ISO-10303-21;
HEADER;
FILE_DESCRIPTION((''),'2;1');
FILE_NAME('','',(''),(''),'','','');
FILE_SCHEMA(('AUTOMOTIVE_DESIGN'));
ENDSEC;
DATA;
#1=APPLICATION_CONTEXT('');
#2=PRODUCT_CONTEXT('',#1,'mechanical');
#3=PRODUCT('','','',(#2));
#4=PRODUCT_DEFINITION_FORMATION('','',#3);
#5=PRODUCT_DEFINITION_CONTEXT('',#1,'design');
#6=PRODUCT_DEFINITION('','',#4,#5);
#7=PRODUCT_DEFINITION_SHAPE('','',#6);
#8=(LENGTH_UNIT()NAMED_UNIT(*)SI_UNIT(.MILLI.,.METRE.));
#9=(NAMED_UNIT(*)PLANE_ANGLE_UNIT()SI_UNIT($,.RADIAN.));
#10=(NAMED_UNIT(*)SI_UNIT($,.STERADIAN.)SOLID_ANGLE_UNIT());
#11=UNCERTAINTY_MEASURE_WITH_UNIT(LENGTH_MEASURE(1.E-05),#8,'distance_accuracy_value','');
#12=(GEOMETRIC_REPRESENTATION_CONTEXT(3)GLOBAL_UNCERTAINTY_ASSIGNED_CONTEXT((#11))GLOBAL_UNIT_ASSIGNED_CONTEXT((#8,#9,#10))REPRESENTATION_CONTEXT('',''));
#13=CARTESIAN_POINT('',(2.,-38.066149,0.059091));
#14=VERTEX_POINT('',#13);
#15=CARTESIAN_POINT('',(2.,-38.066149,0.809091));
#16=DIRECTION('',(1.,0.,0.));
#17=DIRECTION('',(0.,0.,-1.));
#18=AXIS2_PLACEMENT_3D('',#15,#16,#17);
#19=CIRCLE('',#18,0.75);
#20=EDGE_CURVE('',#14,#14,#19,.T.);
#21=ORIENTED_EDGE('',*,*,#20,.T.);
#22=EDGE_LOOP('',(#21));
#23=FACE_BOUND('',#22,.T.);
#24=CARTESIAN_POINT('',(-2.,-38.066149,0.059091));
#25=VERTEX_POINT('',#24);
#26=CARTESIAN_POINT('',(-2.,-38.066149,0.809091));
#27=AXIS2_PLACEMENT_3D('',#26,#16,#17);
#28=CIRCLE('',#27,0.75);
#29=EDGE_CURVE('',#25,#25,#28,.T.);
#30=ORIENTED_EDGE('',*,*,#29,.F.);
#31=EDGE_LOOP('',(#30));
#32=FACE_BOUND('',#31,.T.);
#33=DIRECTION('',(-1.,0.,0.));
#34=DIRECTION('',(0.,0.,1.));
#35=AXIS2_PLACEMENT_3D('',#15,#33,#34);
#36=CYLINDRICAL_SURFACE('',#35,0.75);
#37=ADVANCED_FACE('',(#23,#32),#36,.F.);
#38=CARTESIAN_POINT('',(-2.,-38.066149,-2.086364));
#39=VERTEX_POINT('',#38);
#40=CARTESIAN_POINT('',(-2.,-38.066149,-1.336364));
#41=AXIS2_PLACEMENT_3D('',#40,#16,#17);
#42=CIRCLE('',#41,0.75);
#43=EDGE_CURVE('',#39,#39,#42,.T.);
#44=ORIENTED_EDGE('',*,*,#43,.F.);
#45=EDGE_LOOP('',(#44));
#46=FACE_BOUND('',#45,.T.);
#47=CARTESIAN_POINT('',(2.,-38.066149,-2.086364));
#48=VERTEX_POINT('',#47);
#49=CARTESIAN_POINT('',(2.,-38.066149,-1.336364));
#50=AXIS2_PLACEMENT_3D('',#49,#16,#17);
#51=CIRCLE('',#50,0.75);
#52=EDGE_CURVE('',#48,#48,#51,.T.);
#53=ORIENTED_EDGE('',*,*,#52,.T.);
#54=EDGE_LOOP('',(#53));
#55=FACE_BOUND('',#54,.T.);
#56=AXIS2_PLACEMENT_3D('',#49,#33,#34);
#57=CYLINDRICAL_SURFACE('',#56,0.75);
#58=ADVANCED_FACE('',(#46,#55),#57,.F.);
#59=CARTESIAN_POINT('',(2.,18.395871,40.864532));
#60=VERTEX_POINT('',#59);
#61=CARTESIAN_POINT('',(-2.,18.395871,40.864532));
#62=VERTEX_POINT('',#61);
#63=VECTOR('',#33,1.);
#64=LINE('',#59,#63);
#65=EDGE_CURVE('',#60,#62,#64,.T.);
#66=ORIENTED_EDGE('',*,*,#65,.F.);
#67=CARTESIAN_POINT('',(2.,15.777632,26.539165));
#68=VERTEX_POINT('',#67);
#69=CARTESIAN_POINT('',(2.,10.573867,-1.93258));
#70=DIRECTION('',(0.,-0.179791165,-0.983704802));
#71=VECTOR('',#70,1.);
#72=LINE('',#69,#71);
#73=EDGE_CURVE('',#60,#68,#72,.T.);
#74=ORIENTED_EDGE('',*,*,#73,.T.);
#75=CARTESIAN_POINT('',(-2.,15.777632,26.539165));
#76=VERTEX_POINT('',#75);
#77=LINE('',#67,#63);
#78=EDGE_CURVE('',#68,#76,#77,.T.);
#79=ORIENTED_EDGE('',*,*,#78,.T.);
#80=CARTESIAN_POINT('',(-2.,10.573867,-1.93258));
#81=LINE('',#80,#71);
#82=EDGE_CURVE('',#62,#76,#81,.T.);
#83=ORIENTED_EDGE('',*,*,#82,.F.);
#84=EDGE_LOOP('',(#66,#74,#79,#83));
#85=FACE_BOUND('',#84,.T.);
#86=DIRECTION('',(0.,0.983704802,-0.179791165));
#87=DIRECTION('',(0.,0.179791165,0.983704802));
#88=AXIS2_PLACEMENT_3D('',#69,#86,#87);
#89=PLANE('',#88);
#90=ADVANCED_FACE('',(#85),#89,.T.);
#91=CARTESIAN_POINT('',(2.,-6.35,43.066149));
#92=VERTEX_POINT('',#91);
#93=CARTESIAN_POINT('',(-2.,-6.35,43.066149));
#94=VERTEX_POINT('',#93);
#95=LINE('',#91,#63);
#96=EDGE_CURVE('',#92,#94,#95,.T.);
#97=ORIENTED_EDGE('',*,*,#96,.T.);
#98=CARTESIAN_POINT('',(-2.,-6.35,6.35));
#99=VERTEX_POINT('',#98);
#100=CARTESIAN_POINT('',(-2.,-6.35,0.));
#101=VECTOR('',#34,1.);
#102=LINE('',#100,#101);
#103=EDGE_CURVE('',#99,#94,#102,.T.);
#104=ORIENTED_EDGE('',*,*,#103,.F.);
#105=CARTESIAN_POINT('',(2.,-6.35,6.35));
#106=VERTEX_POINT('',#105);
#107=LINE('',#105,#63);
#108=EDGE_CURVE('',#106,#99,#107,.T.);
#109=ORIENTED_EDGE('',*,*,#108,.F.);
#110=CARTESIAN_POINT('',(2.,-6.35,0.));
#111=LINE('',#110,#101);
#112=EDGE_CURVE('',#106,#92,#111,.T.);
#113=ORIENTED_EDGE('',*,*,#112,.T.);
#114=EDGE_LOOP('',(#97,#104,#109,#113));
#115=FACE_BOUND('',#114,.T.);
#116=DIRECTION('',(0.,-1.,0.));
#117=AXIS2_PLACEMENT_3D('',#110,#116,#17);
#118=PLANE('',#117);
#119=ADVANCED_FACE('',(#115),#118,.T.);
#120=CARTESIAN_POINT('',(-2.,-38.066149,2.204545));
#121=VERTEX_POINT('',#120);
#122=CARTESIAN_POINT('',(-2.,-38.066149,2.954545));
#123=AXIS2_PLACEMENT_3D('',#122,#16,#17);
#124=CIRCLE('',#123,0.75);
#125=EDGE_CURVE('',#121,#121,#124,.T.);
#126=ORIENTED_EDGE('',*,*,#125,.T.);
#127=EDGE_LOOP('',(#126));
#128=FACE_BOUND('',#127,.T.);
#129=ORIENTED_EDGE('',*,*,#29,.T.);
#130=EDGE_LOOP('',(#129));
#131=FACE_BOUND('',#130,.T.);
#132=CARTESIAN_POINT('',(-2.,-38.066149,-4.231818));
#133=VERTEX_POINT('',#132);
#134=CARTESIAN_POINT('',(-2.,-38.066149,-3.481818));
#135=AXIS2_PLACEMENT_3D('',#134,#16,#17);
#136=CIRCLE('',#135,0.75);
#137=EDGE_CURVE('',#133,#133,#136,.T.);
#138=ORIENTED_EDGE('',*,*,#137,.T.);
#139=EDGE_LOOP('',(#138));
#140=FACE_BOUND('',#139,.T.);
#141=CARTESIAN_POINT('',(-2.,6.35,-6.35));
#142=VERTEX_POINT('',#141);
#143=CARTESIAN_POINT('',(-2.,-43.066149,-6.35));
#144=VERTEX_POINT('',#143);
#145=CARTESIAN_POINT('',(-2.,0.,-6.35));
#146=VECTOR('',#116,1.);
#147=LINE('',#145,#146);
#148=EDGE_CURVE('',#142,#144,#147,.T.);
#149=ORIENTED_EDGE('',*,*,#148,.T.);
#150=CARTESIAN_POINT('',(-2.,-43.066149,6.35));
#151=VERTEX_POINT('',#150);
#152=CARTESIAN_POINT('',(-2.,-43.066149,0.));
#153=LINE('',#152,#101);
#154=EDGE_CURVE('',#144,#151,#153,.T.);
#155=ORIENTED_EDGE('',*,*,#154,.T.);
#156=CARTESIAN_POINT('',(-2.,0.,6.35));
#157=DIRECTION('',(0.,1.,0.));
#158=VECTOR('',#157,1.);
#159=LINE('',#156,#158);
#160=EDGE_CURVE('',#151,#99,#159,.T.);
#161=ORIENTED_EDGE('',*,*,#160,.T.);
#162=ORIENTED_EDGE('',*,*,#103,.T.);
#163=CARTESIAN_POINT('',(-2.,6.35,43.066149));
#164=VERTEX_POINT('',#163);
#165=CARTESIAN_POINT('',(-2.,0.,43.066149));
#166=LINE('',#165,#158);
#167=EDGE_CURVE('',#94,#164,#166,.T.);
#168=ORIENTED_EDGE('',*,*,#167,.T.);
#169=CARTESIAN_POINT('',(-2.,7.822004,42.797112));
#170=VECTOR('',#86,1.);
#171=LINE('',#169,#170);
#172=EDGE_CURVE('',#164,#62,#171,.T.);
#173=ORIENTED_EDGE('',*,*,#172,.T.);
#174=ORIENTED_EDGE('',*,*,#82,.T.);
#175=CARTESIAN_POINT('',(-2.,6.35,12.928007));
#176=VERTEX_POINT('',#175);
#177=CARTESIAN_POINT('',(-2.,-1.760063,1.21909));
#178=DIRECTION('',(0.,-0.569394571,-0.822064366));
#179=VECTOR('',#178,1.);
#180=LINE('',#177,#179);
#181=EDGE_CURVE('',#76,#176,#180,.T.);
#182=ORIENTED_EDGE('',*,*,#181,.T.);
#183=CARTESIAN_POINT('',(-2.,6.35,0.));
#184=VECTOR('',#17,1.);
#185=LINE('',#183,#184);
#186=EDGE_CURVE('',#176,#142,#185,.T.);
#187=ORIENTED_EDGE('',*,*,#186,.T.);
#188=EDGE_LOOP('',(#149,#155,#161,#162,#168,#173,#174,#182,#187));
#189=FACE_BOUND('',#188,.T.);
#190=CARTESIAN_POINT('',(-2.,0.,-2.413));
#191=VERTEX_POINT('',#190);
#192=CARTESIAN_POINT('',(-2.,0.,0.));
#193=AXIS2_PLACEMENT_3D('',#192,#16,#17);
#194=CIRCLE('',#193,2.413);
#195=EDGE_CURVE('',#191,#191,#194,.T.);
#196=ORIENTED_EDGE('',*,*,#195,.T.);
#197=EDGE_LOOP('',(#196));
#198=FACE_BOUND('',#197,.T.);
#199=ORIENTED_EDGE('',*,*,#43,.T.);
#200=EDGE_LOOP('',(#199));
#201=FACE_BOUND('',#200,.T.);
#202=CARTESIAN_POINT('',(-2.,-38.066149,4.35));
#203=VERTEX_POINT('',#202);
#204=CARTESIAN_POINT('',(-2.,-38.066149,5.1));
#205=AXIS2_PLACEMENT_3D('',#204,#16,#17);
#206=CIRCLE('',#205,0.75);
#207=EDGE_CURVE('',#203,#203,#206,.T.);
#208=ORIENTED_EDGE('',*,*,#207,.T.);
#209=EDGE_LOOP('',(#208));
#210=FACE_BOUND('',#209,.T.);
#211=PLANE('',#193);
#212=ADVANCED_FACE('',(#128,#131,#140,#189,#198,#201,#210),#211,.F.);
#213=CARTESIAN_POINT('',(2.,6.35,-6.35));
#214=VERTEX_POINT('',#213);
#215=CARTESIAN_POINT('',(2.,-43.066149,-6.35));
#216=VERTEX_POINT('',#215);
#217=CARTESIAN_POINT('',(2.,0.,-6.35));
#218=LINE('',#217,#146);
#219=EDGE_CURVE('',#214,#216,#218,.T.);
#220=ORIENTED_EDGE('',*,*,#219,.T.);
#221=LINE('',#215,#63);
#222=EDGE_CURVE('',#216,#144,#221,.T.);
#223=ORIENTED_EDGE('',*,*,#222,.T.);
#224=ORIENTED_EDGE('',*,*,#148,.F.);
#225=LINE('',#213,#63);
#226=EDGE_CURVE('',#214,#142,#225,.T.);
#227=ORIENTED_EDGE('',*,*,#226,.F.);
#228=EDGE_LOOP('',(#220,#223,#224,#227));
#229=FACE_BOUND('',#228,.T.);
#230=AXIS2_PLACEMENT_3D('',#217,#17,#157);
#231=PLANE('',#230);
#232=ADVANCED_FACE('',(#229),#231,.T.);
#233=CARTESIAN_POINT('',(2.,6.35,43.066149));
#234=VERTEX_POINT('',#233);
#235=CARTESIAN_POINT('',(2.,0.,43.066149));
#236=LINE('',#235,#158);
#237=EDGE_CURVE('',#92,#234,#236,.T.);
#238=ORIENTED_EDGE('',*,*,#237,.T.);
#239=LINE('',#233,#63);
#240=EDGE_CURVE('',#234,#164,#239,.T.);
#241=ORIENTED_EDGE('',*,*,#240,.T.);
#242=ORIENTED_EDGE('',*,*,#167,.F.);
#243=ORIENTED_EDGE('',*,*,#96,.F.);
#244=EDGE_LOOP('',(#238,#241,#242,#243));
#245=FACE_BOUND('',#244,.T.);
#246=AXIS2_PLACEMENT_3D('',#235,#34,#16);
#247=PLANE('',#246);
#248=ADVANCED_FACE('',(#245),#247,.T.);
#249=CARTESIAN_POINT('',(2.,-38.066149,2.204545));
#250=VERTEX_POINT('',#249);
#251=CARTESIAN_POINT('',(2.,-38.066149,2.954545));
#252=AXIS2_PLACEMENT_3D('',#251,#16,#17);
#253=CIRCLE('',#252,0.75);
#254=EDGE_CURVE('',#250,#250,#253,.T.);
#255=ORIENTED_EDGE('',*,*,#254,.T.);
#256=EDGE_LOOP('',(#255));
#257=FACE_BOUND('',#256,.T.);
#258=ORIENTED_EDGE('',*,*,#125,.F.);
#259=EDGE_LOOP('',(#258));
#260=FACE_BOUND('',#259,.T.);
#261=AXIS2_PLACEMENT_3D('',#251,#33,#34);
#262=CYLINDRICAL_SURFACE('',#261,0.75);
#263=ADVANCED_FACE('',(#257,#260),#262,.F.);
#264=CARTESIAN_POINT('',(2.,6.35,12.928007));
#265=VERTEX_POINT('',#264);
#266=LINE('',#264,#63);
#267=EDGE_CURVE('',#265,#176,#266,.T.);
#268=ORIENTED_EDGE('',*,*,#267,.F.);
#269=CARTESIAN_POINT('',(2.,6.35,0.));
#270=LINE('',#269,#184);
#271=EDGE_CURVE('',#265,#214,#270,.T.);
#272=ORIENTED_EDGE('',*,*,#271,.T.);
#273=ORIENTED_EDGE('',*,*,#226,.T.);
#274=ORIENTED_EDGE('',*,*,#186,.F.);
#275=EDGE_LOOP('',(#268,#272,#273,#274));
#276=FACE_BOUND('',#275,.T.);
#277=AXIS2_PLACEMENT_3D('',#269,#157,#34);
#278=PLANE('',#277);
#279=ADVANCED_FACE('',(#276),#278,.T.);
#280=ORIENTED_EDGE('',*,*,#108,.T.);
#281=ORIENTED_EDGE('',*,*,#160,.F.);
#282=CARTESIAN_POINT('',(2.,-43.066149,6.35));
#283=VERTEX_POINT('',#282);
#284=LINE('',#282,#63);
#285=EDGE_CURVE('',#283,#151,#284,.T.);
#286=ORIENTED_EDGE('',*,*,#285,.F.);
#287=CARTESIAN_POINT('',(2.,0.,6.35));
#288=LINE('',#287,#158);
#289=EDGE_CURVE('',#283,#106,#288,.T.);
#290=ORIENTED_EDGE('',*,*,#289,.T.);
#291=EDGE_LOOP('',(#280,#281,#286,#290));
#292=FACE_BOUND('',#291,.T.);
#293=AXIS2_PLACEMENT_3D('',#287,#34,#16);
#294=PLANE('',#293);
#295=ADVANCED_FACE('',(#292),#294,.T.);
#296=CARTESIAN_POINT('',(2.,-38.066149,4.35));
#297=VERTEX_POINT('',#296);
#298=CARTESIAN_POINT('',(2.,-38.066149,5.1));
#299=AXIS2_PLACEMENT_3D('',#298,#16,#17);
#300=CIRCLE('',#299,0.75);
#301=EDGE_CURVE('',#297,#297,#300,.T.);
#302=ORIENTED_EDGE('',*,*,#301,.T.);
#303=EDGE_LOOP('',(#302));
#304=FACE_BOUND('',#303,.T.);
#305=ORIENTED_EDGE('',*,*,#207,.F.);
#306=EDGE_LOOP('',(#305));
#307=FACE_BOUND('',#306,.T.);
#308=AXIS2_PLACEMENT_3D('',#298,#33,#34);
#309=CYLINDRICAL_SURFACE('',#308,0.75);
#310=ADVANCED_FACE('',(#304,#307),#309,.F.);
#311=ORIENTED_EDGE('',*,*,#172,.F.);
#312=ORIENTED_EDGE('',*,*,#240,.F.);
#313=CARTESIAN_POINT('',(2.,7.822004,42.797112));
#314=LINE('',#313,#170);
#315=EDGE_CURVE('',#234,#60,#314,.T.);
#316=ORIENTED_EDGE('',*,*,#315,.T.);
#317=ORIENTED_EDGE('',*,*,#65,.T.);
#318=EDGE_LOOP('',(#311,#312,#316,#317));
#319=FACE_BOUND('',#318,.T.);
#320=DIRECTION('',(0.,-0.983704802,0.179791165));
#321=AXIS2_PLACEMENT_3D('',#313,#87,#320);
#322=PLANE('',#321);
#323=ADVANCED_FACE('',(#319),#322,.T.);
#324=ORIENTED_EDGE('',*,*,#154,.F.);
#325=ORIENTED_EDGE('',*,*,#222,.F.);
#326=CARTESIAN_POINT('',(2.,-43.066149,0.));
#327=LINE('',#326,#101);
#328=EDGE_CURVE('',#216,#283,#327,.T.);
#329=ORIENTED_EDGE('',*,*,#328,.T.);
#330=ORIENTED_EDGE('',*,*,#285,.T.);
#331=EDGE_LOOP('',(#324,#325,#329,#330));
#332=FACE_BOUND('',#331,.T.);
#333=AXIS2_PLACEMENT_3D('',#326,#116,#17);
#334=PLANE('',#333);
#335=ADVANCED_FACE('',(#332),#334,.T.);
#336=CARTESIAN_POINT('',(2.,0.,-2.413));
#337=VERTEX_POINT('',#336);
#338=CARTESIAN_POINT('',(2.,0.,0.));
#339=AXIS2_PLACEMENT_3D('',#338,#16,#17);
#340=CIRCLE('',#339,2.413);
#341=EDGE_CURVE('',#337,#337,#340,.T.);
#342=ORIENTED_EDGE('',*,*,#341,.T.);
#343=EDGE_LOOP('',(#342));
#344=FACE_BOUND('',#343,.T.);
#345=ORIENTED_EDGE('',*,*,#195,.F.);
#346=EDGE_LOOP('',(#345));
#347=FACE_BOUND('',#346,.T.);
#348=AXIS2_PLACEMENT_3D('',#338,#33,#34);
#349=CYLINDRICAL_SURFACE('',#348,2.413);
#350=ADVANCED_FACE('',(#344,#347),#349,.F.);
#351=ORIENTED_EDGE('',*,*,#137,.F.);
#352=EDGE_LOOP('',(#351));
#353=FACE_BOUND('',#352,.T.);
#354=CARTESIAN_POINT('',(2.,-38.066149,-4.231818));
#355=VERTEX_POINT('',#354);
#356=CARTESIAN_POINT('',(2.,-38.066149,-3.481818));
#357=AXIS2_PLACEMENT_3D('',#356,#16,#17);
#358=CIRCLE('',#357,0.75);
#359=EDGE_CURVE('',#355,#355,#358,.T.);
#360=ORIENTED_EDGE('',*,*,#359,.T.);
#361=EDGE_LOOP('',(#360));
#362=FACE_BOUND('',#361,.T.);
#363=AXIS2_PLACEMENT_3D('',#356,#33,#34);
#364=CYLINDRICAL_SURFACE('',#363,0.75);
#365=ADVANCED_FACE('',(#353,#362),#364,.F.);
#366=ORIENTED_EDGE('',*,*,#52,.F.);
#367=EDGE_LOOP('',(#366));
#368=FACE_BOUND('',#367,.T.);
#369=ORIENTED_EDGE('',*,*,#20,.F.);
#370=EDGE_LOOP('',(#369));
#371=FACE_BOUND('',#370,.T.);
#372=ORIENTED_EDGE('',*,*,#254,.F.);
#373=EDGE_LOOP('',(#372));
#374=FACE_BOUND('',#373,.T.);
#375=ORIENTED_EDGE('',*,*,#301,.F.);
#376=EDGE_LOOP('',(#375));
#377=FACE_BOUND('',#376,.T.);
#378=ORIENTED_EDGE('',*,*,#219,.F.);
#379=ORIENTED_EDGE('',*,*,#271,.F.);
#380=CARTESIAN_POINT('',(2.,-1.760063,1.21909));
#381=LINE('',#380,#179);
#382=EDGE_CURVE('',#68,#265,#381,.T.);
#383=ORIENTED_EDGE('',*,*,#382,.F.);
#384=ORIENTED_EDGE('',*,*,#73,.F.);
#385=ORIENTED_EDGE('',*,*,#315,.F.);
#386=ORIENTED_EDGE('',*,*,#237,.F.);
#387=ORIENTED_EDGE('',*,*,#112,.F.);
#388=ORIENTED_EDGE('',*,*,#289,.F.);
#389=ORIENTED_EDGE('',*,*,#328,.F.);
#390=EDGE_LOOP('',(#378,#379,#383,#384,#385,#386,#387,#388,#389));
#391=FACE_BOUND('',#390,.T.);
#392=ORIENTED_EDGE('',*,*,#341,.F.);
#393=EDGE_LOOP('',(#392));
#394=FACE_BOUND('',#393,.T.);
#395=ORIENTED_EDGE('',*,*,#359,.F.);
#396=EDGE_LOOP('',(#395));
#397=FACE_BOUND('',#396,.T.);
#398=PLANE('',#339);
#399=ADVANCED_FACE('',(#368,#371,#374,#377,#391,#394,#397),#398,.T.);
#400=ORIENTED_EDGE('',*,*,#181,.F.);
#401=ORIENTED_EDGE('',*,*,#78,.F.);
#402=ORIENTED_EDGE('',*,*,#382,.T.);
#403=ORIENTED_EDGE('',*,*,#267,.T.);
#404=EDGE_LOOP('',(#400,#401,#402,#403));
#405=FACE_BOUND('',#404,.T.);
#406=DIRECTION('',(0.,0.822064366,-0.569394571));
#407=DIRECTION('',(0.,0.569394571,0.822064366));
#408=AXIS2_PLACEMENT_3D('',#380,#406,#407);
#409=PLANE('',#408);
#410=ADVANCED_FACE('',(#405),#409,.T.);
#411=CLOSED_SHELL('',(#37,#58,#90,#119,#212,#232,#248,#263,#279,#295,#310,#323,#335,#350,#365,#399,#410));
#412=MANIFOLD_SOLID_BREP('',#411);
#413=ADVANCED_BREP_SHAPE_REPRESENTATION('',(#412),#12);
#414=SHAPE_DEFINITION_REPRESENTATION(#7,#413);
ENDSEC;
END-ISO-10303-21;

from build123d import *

# Parameters (mm, degrees)
SKETCH1_R           = 2.413
SKETCH1_R_2         = 0.75
BOSS_EXTRUDE1_DEPTH = 2


with BuildPart() as part:
    # Sketch1 → Boss-Extrude1 (new, symmetric)
    with BuildSketch(Plane(origin=(0, 0, 0), x_dir=(0, 0, -1), z_dir=(1, 0, 0))):
        Polygon((-40.864531886, 18.395870563), (-43.06614877, 6.35), (-43.06614877, -6.35), (-6.35, -6.35), (-6.35, -43.06614877), (6.35, -43.06614877), (6.35, 6.35), (-12.928006667, 6.35), (-26.539165493, 15.777631529), align=None)
        Circle(SKETCH1_R, mode=Mode.SUBTRACT)
        with Locations((3.481818182, -38.06614877)):
            Circle(SKETCH1_R_2, mode=Mode.SUBTRACT)
        with Locations((1.336363636, -38.06614877)):
            Circle(SKETCH1_R_2, mode=Mode.SUBTRACT)
        with Locations((-5.1, -38.06614877)):
            Circle(SKETCH1_R_2, mode=Mode.SUBTRACT)
        with Locations((-2.954545455, -38.06614877)):
            Circle(SKETCH1_R_2, mode=Mode.SUBTRACT)
        with Locations((-0.809090909, -38.06614877)):
            Circle(SKETCH1_R_2, mode=Mode.SUBTRACT)
    extrude(amount=BOSS_EXTRUDE1_DEPTH, both=True)


solid = part.part
